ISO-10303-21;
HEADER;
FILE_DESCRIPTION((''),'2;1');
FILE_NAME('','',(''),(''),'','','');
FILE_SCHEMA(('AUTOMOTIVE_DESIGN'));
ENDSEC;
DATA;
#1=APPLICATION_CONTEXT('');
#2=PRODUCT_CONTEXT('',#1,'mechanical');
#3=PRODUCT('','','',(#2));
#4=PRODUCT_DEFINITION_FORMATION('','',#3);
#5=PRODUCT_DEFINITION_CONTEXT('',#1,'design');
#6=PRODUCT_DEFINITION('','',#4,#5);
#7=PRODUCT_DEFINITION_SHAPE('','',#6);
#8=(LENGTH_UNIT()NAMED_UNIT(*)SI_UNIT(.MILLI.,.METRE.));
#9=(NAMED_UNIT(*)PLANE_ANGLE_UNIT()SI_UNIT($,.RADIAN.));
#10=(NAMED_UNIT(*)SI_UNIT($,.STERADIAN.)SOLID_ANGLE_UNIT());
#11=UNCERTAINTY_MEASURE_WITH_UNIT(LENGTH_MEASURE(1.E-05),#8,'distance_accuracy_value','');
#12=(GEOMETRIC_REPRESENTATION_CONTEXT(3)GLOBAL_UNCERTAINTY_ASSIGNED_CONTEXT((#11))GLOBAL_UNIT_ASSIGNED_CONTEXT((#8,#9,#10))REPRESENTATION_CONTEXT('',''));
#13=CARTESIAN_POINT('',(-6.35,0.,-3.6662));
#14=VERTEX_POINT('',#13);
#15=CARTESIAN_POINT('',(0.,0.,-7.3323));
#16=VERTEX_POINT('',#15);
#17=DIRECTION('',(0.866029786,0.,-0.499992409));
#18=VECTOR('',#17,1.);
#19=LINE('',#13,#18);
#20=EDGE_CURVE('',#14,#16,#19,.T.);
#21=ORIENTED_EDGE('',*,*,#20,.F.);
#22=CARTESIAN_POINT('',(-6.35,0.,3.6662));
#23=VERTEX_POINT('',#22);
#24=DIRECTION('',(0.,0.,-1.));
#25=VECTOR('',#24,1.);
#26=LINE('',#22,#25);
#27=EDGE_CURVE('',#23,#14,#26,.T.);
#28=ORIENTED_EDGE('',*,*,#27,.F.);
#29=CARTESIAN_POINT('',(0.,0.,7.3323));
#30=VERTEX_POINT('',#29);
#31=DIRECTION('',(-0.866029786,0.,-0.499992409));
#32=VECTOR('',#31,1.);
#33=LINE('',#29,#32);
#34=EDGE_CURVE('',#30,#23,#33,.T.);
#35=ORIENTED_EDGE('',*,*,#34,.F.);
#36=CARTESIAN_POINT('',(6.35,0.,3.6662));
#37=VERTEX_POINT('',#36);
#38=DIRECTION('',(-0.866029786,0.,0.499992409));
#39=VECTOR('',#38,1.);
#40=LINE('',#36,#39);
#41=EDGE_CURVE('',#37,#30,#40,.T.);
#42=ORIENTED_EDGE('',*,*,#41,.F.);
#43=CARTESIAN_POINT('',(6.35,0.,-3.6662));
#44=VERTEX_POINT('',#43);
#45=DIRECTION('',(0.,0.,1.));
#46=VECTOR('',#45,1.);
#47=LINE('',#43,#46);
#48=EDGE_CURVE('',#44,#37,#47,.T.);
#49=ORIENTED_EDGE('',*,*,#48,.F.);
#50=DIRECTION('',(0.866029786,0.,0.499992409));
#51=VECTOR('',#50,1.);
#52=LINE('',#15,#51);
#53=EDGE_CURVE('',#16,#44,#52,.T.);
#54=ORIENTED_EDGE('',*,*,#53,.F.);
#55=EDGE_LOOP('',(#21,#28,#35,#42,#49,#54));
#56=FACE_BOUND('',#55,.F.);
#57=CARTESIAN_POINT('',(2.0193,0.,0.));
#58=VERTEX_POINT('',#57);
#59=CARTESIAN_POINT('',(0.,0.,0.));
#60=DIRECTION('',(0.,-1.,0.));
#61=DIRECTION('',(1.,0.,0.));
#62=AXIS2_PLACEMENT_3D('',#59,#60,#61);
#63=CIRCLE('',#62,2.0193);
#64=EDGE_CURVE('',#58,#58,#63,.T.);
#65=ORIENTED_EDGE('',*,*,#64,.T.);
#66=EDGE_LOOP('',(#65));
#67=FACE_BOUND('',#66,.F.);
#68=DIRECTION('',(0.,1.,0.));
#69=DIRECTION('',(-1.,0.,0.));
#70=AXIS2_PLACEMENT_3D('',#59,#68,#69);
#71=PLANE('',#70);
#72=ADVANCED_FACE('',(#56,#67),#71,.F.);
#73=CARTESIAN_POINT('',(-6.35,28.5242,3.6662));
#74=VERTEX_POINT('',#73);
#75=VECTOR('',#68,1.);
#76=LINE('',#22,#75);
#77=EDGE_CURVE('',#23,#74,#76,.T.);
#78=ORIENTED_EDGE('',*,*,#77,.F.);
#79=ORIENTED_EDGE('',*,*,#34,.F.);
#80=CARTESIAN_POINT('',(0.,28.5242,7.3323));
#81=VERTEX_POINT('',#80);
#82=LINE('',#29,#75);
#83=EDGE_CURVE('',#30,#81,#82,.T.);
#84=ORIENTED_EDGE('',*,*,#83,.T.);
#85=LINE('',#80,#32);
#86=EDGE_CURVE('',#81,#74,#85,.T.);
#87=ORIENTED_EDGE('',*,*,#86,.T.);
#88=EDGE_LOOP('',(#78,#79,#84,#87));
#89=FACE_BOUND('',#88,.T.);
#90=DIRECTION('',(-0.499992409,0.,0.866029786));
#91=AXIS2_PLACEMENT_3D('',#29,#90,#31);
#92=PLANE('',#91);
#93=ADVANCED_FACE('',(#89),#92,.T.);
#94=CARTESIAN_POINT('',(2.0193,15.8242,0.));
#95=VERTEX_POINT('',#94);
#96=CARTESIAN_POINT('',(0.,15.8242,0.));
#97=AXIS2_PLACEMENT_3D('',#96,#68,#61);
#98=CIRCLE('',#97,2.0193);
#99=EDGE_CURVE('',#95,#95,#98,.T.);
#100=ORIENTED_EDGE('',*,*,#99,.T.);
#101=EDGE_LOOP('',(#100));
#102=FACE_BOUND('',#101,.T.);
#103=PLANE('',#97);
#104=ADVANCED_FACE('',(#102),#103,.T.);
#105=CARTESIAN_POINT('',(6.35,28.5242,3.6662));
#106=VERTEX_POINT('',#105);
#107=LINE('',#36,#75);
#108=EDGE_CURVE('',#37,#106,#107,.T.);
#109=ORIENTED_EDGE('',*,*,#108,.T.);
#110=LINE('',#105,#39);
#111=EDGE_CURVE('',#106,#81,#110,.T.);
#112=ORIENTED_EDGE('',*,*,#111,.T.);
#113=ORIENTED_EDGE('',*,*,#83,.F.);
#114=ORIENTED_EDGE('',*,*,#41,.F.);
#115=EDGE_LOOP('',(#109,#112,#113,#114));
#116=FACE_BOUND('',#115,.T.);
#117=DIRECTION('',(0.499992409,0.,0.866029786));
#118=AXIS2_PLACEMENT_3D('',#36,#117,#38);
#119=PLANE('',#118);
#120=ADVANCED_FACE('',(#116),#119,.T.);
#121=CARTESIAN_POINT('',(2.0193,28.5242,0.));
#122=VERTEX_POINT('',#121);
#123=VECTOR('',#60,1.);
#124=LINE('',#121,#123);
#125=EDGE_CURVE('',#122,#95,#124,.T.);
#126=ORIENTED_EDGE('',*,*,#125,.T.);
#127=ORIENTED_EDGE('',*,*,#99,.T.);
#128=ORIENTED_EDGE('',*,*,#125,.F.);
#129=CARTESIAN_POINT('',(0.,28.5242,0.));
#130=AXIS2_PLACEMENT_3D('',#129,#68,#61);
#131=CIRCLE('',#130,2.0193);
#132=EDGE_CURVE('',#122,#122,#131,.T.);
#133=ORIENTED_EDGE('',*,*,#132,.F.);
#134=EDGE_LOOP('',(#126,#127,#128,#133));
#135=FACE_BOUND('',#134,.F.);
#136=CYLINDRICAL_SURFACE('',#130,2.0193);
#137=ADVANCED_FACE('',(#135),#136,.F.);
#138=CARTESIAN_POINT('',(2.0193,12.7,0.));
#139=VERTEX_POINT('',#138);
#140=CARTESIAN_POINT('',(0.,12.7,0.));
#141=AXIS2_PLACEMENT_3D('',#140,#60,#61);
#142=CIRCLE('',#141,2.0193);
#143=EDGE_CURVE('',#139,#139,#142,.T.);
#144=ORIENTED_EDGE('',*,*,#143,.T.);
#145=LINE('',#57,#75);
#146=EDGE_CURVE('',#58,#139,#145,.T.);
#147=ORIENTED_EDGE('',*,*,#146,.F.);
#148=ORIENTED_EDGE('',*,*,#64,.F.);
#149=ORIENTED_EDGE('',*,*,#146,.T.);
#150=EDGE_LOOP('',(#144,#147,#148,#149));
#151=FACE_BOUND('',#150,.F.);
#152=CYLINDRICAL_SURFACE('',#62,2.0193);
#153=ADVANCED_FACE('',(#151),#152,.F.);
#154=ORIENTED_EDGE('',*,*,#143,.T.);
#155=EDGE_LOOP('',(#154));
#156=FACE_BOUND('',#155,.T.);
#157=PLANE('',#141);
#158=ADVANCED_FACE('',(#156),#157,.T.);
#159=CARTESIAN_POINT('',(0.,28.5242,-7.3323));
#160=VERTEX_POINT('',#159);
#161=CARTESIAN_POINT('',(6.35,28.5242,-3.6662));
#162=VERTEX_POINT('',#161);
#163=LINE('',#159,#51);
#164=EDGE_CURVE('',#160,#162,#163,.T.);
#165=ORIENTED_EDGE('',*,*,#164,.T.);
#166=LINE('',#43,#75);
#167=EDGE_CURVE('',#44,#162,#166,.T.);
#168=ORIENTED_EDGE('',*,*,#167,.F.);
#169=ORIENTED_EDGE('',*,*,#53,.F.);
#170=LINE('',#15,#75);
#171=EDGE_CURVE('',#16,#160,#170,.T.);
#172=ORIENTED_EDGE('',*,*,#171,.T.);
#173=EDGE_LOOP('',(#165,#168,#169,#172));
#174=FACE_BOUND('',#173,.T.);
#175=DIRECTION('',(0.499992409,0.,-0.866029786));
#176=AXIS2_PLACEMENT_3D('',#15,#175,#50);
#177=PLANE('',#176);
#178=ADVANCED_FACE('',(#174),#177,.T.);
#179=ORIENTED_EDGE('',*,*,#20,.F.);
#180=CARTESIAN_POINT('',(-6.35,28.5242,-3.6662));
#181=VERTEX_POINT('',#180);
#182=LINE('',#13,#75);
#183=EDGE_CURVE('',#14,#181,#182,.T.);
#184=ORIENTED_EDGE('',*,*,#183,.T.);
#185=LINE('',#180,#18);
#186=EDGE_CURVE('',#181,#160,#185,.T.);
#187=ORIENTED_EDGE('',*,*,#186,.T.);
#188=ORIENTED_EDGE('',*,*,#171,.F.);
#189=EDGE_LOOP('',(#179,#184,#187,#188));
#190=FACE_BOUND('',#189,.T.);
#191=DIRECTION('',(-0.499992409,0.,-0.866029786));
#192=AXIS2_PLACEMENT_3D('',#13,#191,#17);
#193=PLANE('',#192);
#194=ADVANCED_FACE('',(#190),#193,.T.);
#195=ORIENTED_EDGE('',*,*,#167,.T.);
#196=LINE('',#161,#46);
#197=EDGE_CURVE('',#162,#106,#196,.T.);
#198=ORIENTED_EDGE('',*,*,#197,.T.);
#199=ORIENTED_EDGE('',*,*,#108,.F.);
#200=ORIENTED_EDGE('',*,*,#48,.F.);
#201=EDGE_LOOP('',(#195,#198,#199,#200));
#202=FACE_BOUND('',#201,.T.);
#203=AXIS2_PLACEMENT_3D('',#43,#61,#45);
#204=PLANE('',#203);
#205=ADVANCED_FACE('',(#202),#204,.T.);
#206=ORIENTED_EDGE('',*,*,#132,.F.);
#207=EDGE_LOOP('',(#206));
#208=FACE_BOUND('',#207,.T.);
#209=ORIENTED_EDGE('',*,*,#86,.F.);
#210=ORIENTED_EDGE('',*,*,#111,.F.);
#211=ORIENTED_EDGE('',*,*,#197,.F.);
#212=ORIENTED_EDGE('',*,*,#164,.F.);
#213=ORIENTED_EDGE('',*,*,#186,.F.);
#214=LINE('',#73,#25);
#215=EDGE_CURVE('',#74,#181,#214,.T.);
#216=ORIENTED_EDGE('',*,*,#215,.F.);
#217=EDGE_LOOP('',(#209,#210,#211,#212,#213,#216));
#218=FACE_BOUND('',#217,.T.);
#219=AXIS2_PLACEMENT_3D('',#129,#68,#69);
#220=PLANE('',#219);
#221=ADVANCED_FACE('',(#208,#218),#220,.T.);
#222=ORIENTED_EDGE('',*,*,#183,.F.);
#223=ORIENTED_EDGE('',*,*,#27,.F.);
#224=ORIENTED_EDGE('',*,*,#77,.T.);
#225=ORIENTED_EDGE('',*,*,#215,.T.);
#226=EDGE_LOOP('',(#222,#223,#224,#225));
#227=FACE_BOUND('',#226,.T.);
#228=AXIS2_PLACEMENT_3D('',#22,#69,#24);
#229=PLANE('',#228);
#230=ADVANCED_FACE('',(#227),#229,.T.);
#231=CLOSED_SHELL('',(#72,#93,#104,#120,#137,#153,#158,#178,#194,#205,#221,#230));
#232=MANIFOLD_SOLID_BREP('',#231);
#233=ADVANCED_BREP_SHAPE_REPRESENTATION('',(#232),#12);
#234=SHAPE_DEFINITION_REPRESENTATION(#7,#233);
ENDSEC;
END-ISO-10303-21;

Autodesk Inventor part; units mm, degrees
ref_plane "YZ Plane" through (0, 0, 0) normal (1, 0, 0) x (0, 1, 0)
ref_plane "XZ Plane" through (0, 0, 0) normal (0, 1, 0) x (-1, 0, 0)
ref_plane "XY Plane" through (0, 0, 0) normal (0, 0, 1) x (1, 0, 0)
sketch "Sketch1" plane through (0, 0, 0) normal (0, 1, 0) x (-1, 0, 0)
  line L0 (0, 7.3323) -> (6.35, 3.6662)
  line L1 (6.35, 3.6662) -> (6.35, -3.6662)
  line L2 (6.35, -3.6662) -> (0, -7.3323)
  line L3 (0, -7.3323) -> (-6.35, -3.6662)
  line L4 (-6.35, -3.6662) -> (-6.35, 3.6662)
  line L5 (-6.35, 3.6662) -> (0, 7.3323)
  point P0 (0, 0)
  point P1 (0, 0)
  dimension "d0" = 12.7
extrude "Extrusion1" add sketch "Sketch1" along normal blind 28.5242
sketch "Sketch2" plane through (0, 28.5242, 0) normal (0, 1, 0) x (1, 0, 0)
  circle A0 centre (0, 0) radius 2.0193
  dimension "d3" = 4.0386
extrude "Extrusion2" cut sketch "Sketch2" against normal blind 12.7
sketch "Sketch3" plane through (0, 0, 0) normal (0, -1, 0) x (1, 0, 0)
  circle A0 centre (0, 0) radius 2.0193
  dimension "d6" = 4.0386
extrude "Extrusion3" cut sketch "Sketch3" against normal blind 12.7
thread "Thread1" size "10-32 UNF" class "2B" standard "ANSI Unified Screw Threads" length 20
thread "Thread2" size "10-32 UNF" class "2B" standard "ANSI Unified Screw Threads" length 20
properties part number "DTraining2_001_E1Shaft"
